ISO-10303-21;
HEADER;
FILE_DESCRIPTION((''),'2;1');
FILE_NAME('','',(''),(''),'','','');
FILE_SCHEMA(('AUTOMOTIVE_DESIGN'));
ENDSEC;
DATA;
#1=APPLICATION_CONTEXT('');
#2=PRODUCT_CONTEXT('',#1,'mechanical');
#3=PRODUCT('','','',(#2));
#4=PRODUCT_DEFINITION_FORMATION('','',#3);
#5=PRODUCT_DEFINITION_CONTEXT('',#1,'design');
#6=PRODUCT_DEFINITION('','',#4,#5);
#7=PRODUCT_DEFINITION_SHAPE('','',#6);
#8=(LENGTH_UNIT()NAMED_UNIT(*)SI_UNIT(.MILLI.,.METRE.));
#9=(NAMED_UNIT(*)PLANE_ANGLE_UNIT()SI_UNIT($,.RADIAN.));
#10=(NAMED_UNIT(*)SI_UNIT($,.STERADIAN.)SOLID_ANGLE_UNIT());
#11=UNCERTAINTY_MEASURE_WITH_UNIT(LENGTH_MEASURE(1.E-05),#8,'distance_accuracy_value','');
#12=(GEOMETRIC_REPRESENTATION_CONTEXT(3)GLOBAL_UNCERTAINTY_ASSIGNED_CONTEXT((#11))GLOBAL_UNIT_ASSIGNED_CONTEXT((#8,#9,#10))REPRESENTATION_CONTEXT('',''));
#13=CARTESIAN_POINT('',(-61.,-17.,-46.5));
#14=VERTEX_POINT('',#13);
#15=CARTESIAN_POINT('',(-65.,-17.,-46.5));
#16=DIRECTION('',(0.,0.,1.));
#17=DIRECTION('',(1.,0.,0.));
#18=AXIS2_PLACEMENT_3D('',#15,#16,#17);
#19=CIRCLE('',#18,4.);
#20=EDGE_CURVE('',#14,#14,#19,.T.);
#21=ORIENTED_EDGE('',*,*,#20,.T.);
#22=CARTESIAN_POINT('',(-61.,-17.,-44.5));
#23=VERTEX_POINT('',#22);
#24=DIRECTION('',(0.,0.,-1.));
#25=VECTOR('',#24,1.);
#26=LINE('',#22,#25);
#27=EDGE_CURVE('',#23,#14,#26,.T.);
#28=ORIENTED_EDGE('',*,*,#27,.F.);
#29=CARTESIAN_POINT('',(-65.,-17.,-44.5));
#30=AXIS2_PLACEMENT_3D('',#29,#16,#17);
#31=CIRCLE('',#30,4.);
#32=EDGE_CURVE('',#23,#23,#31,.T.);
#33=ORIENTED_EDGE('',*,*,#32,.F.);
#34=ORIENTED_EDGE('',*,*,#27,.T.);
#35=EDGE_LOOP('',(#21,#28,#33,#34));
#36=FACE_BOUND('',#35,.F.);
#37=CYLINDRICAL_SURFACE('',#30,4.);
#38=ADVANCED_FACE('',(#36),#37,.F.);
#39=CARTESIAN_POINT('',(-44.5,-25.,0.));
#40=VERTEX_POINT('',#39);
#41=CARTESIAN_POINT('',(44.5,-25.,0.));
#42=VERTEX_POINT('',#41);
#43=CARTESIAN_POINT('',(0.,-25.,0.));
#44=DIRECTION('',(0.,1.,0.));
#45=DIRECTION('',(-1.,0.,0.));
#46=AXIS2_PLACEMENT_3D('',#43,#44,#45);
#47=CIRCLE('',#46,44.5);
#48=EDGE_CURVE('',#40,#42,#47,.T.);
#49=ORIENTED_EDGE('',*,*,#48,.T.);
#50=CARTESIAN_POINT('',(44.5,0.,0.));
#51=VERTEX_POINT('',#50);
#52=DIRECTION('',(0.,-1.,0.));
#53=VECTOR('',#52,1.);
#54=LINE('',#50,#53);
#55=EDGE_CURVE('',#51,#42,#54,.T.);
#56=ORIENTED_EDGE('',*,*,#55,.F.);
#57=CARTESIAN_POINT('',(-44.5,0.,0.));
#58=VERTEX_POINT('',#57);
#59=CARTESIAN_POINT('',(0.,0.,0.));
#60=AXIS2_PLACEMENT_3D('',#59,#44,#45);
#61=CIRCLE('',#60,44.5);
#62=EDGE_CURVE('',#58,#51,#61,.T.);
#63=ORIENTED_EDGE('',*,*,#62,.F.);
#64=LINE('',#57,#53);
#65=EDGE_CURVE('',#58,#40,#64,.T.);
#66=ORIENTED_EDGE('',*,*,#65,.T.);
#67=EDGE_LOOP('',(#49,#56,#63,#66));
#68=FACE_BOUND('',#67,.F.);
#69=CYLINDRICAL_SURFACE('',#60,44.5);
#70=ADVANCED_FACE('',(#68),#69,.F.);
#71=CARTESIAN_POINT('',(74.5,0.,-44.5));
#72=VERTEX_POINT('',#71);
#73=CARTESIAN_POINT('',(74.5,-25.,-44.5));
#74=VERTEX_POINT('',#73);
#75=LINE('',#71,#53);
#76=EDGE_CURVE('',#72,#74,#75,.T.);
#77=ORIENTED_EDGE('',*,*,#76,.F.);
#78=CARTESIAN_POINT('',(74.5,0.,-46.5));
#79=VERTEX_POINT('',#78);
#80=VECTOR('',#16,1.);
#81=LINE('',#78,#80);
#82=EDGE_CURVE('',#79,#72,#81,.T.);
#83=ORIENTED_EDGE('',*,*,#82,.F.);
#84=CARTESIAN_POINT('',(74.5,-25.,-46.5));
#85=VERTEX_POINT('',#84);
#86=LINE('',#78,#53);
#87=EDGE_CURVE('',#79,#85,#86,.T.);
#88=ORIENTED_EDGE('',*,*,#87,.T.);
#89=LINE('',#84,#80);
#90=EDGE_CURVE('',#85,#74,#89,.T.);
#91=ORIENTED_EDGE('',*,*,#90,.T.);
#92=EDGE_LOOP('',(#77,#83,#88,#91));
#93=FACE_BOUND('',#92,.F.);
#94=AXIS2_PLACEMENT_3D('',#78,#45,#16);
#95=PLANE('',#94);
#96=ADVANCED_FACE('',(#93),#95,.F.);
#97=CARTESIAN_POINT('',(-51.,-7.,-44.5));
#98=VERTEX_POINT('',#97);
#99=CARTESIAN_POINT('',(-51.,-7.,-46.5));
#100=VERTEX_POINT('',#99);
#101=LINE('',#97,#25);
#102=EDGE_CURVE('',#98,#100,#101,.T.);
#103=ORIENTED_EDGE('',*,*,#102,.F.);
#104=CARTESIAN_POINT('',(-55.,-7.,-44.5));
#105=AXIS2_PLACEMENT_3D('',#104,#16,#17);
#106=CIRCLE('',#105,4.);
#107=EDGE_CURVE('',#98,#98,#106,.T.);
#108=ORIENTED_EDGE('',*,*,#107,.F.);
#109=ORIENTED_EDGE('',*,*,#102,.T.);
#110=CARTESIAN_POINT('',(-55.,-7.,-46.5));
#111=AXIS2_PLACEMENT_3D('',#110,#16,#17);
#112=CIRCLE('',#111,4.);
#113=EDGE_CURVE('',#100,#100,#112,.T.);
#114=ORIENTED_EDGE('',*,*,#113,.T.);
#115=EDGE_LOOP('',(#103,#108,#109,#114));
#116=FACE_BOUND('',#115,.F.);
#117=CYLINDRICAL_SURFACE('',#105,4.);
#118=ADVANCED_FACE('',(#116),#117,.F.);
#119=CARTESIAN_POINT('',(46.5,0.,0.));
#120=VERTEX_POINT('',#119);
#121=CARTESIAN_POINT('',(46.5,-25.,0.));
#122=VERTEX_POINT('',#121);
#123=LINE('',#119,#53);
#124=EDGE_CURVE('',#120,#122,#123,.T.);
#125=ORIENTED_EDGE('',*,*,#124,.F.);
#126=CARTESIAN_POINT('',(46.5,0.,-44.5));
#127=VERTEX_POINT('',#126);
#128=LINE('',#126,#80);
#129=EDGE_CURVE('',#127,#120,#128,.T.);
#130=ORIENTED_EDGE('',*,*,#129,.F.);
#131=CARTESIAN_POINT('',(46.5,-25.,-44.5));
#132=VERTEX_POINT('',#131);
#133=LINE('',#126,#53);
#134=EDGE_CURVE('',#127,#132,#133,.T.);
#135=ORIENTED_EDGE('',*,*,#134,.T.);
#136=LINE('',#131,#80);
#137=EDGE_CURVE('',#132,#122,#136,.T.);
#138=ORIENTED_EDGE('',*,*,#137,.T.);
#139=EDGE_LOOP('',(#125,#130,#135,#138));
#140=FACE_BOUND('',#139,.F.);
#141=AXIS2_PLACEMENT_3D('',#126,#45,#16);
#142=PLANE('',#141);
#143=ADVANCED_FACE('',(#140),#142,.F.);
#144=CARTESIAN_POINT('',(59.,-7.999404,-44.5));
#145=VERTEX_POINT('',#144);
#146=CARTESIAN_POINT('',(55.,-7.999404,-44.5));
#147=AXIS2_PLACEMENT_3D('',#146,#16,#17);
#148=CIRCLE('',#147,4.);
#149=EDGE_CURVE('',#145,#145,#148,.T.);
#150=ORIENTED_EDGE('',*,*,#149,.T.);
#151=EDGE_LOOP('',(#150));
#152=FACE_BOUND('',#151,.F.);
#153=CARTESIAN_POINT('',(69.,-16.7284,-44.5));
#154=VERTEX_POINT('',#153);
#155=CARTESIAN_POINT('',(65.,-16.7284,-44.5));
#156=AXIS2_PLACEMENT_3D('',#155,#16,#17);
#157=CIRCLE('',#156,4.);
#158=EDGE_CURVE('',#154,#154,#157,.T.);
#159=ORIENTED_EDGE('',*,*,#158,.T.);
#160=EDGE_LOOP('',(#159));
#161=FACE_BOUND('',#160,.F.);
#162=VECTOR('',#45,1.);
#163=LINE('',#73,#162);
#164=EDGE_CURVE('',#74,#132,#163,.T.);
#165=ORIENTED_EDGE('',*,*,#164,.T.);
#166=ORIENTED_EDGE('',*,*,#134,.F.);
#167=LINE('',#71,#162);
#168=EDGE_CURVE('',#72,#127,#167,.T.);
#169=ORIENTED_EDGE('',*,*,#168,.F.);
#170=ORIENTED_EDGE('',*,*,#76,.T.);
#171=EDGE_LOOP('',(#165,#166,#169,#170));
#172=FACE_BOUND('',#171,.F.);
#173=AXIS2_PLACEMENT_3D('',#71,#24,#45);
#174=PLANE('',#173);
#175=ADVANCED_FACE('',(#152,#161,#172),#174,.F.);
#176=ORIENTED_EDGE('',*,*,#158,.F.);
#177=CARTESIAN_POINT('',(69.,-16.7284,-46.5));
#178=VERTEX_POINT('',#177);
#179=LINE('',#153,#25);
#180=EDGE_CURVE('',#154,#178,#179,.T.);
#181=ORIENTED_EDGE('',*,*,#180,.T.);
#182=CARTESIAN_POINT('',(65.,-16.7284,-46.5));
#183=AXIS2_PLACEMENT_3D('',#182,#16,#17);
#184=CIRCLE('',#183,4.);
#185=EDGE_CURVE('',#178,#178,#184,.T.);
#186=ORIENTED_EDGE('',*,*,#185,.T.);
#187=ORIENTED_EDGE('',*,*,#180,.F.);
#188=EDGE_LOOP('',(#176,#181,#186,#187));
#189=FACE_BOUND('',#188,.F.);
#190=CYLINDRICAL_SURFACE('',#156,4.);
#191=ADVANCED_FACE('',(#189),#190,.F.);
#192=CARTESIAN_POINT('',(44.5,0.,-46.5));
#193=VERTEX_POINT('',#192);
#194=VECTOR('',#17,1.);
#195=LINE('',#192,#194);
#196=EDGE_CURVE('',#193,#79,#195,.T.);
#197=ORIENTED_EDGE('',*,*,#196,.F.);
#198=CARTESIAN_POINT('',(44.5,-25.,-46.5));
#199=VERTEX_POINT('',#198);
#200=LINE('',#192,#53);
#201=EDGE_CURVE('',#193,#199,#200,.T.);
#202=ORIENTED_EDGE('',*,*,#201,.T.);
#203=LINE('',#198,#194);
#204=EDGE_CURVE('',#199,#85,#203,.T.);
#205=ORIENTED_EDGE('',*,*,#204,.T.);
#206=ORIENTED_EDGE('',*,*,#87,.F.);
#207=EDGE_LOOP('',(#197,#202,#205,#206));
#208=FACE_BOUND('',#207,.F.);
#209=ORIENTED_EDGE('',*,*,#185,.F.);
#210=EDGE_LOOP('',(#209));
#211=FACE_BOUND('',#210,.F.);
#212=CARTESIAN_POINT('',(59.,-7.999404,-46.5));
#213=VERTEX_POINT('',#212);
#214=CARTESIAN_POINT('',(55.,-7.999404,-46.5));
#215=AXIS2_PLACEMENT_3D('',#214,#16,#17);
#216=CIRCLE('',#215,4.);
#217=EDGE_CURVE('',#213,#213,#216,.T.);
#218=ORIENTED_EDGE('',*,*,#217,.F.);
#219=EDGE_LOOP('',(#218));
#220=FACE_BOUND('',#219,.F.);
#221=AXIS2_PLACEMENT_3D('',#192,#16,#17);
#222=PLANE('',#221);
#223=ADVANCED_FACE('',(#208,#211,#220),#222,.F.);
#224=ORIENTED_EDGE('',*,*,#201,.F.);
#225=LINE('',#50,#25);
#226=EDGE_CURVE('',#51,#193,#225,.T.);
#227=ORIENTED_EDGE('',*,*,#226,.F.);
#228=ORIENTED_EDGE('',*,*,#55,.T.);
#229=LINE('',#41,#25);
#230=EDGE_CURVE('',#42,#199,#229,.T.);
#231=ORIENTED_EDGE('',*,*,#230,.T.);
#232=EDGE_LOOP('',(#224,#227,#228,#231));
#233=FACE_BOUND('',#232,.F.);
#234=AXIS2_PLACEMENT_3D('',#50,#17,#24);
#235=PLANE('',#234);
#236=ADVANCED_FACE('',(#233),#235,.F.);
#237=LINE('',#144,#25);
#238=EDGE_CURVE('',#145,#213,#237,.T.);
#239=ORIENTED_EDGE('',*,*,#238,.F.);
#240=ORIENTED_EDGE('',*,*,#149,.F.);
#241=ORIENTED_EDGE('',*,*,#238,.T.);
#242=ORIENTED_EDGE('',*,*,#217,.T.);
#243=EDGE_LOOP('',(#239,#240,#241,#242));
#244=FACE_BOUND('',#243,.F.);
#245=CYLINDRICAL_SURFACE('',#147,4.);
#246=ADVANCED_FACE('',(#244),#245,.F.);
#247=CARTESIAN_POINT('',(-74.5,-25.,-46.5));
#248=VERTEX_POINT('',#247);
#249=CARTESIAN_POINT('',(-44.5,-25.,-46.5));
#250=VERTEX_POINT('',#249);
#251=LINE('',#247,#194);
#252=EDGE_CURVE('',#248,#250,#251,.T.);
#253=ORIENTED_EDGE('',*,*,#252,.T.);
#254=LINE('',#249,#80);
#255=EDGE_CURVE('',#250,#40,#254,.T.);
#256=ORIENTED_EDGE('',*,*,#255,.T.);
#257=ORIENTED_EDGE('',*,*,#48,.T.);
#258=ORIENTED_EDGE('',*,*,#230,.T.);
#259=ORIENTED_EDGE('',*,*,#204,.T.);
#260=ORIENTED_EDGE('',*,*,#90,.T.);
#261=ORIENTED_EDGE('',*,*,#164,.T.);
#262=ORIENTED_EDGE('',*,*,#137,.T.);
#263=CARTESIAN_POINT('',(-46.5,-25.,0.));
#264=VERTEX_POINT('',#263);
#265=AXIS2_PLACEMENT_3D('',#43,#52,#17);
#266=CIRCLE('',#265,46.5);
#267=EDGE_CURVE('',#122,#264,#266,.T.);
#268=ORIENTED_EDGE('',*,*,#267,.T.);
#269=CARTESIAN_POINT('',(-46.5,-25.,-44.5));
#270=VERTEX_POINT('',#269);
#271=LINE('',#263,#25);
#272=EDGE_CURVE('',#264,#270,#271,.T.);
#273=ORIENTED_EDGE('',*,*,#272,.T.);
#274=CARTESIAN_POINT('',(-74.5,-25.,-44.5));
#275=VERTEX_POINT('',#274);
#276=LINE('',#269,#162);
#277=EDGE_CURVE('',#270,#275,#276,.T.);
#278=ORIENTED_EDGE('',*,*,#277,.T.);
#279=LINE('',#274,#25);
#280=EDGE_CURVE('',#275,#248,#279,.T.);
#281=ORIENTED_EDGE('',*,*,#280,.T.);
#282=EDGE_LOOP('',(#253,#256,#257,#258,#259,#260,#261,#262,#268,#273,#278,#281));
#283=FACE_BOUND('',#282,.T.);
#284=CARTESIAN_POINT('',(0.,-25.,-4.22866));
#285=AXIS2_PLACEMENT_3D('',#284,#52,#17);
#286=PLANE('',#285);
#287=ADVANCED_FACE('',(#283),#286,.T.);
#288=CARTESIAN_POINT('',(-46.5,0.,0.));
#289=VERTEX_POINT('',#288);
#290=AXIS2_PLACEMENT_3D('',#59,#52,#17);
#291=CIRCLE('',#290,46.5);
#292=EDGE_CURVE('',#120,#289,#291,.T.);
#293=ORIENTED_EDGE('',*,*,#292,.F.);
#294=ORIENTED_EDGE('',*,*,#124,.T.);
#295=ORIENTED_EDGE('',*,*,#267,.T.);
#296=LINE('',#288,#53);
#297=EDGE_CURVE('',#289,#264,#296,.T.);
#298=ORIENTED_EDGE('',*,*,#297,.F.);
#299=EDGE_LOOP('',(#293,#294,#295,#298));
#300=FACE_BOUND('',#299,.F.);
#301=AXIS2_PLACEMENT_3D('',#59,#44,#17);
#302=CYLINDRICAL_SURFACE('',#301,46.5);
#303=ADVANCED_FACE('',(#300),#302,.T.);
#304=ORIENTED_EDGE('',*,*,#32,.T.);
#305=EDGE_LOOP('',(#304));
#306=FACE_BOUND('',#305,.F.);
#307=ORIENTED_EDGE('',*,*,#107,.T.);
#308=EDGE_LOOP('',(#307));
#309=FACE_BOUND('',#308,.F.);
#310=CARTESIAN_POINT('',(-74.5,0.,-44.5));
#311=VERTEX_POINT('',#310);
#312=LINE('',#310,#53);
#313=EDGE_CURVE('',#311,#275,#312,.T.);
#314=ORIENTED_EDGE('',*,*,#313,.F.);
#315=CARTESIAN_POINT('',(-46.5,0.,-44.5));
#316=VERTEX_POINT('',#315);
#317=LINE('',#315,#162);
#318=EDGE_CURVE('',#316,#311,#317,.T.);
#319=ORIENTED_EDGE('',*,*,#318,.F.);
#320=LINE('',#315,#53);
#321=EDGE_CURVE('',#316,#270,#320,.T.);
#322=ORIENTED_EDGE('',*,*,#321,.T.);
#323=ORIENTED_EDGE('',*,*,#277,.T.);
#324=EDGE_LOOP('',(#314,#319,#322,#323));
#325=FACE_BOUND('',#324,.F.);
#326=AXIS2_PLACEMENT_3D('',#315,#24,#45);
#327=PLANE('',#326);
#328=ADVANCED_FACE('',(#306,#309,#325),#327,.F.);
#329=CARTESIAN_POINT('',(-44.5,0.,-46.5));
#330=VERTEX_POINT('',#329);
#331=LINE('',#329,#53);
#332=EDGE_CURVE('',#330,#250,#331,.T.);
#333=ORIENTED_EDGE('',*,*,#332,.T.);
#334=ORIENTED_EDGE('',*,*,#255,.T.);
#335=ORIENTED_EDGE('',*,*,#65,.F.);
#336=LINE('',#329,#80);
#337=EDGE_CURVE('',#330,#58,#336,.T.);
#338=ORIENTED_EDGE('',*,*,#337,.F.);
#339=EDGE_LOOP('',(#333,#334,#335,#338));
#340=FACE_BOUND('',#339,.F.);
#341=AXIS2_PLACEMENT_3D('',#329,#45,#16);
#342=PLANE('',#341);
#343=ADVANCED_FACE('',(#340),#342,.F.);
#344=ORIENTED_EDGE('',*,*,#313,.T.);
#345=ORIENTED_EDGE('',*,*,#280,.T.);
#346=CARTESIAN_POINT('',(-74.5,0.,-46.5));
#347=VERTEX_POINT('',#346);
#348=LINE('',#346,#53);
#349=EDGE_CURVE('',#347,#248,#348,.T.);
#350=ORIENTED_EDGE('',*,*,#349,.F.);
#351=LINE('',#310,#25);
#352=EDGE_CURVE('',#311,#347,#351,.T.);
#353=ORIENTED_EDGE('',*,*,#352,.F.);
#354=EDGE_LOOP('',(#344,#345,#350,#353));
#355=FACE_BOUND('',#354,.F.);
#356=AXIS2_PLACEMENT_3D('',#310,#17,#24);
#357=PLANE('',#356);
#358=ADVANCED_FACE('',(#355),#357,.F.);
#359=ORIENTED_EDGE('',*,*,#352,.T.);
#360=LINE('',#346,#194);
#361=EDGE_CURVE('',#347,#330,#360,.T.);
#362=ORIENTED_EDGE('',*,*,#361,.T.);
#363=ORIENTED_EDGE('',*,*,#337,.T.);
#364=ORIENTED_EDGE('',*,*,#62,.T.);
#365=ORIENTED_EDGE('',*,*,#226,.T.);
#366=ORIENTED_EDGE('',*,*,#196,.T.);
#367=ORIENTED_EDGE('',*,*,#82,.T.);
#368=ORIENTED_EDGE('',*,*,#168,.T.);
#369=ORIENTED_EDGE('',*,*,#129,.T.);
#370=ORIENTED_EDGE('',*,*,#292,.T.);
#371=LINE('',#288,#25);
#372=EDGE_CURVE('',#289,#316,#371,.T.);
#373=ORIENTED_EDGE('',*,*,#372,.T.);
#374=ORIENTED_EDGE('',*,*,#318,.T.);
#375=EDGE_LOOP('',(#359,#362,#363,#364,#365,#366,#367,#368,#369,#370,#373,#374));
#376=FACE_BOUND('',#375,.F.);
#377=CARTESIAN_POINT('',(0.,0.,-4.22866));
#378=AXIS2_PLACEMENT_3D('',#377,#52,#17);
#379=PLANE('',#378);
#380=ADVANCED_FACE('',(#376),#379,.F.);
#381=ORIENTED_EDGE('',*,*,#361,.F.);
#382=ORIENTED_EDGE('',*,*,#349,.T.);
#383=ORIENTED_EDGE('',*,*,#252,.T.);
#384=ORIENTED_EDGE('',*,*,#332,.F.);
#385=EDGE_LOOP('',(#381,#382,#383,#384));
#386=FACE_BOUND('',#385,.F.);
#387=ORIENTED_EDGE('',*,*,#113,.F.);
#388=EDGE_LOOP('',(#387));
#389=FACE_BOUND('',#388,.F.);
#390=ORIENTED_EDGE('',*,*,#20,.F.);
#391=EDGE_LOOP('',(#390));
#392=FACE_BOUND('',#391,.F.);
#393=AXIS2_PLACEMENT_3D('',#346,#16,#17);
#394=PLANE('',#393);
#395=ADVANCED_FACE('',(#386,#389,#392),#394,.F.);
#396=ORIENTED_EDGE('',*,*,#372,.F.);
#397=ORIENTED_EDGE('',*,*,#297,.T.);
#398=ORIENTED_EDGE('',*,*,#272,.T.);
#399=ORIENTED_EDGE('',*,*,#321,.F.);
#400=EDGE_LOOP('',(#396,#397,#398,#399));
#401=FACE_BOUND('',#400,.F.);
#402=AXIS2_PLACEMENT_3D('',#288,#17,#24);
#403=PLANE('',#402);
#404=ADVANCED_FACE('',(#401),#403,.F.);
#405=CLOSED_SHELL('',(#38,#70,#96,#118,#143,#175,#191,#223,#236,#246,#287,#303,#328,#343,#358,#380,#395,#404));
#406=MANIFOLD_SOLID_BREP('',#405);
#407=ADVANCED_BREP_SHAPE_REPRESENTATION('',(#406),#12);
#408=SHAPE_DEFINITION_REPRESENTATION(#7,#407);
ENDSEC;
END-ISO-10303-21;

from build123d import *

# Parameters (mm, degrees)
F1_DEPTH = 25
F2_R     = 4
F3_DEPTH = 2.001


with BuildPart() as f1:
    # F0 (on Front) → F1 (new body)
    with BuildSketch(Plane.XZ):
        with BuildLine():
            ThreePointArc((-44.5, 0), (0, 44.5), (44.5, 0))
            Line((44.5, 0), (44.5, -46.5))
            Line((44.5, -46.5), (74.5, -46.5))
            Line((74.5, -46.5), (74.5, -44.5))
            Line((74.5, -44.5), (46.5, -44.5))
            Line((46.5, -44.5), (46.5, 0))
            ThreePointArc((46.5, 0), (0, 46.5), (-46.5, 0))
            Line((-46.5, 0), (-46.5, -44.5))
            Line((-46.5, -44.5), (-74.5, -44.5))
            Line((-74.5, -44.5), (-74.5, -46.5))
            Line((-74.5, -46.5), (-44.5, -46.5))
            Line((-44.5, -46.5), (-44.5, 0))
        make_face()
    extrude(amount=F1_DEPTH)

    # F2 (on face) → F3 (cut, through all)
    with BuildSketch(Plane.XY.offset(-44.5)):
        with Locations((-65, -17)):
            Circle(F2_R)
        with Locations((-55, -7)):
            Circle(F2_R)
        with Locations((55, -7.999404)):
            Circle(F2_R)
        with Locations((65, -16.7284)):
            Circle(F2_R)
    extrude(amount=-F3_DEPTH, mode=Mode.SUBTRACT)


solid = f1.part
